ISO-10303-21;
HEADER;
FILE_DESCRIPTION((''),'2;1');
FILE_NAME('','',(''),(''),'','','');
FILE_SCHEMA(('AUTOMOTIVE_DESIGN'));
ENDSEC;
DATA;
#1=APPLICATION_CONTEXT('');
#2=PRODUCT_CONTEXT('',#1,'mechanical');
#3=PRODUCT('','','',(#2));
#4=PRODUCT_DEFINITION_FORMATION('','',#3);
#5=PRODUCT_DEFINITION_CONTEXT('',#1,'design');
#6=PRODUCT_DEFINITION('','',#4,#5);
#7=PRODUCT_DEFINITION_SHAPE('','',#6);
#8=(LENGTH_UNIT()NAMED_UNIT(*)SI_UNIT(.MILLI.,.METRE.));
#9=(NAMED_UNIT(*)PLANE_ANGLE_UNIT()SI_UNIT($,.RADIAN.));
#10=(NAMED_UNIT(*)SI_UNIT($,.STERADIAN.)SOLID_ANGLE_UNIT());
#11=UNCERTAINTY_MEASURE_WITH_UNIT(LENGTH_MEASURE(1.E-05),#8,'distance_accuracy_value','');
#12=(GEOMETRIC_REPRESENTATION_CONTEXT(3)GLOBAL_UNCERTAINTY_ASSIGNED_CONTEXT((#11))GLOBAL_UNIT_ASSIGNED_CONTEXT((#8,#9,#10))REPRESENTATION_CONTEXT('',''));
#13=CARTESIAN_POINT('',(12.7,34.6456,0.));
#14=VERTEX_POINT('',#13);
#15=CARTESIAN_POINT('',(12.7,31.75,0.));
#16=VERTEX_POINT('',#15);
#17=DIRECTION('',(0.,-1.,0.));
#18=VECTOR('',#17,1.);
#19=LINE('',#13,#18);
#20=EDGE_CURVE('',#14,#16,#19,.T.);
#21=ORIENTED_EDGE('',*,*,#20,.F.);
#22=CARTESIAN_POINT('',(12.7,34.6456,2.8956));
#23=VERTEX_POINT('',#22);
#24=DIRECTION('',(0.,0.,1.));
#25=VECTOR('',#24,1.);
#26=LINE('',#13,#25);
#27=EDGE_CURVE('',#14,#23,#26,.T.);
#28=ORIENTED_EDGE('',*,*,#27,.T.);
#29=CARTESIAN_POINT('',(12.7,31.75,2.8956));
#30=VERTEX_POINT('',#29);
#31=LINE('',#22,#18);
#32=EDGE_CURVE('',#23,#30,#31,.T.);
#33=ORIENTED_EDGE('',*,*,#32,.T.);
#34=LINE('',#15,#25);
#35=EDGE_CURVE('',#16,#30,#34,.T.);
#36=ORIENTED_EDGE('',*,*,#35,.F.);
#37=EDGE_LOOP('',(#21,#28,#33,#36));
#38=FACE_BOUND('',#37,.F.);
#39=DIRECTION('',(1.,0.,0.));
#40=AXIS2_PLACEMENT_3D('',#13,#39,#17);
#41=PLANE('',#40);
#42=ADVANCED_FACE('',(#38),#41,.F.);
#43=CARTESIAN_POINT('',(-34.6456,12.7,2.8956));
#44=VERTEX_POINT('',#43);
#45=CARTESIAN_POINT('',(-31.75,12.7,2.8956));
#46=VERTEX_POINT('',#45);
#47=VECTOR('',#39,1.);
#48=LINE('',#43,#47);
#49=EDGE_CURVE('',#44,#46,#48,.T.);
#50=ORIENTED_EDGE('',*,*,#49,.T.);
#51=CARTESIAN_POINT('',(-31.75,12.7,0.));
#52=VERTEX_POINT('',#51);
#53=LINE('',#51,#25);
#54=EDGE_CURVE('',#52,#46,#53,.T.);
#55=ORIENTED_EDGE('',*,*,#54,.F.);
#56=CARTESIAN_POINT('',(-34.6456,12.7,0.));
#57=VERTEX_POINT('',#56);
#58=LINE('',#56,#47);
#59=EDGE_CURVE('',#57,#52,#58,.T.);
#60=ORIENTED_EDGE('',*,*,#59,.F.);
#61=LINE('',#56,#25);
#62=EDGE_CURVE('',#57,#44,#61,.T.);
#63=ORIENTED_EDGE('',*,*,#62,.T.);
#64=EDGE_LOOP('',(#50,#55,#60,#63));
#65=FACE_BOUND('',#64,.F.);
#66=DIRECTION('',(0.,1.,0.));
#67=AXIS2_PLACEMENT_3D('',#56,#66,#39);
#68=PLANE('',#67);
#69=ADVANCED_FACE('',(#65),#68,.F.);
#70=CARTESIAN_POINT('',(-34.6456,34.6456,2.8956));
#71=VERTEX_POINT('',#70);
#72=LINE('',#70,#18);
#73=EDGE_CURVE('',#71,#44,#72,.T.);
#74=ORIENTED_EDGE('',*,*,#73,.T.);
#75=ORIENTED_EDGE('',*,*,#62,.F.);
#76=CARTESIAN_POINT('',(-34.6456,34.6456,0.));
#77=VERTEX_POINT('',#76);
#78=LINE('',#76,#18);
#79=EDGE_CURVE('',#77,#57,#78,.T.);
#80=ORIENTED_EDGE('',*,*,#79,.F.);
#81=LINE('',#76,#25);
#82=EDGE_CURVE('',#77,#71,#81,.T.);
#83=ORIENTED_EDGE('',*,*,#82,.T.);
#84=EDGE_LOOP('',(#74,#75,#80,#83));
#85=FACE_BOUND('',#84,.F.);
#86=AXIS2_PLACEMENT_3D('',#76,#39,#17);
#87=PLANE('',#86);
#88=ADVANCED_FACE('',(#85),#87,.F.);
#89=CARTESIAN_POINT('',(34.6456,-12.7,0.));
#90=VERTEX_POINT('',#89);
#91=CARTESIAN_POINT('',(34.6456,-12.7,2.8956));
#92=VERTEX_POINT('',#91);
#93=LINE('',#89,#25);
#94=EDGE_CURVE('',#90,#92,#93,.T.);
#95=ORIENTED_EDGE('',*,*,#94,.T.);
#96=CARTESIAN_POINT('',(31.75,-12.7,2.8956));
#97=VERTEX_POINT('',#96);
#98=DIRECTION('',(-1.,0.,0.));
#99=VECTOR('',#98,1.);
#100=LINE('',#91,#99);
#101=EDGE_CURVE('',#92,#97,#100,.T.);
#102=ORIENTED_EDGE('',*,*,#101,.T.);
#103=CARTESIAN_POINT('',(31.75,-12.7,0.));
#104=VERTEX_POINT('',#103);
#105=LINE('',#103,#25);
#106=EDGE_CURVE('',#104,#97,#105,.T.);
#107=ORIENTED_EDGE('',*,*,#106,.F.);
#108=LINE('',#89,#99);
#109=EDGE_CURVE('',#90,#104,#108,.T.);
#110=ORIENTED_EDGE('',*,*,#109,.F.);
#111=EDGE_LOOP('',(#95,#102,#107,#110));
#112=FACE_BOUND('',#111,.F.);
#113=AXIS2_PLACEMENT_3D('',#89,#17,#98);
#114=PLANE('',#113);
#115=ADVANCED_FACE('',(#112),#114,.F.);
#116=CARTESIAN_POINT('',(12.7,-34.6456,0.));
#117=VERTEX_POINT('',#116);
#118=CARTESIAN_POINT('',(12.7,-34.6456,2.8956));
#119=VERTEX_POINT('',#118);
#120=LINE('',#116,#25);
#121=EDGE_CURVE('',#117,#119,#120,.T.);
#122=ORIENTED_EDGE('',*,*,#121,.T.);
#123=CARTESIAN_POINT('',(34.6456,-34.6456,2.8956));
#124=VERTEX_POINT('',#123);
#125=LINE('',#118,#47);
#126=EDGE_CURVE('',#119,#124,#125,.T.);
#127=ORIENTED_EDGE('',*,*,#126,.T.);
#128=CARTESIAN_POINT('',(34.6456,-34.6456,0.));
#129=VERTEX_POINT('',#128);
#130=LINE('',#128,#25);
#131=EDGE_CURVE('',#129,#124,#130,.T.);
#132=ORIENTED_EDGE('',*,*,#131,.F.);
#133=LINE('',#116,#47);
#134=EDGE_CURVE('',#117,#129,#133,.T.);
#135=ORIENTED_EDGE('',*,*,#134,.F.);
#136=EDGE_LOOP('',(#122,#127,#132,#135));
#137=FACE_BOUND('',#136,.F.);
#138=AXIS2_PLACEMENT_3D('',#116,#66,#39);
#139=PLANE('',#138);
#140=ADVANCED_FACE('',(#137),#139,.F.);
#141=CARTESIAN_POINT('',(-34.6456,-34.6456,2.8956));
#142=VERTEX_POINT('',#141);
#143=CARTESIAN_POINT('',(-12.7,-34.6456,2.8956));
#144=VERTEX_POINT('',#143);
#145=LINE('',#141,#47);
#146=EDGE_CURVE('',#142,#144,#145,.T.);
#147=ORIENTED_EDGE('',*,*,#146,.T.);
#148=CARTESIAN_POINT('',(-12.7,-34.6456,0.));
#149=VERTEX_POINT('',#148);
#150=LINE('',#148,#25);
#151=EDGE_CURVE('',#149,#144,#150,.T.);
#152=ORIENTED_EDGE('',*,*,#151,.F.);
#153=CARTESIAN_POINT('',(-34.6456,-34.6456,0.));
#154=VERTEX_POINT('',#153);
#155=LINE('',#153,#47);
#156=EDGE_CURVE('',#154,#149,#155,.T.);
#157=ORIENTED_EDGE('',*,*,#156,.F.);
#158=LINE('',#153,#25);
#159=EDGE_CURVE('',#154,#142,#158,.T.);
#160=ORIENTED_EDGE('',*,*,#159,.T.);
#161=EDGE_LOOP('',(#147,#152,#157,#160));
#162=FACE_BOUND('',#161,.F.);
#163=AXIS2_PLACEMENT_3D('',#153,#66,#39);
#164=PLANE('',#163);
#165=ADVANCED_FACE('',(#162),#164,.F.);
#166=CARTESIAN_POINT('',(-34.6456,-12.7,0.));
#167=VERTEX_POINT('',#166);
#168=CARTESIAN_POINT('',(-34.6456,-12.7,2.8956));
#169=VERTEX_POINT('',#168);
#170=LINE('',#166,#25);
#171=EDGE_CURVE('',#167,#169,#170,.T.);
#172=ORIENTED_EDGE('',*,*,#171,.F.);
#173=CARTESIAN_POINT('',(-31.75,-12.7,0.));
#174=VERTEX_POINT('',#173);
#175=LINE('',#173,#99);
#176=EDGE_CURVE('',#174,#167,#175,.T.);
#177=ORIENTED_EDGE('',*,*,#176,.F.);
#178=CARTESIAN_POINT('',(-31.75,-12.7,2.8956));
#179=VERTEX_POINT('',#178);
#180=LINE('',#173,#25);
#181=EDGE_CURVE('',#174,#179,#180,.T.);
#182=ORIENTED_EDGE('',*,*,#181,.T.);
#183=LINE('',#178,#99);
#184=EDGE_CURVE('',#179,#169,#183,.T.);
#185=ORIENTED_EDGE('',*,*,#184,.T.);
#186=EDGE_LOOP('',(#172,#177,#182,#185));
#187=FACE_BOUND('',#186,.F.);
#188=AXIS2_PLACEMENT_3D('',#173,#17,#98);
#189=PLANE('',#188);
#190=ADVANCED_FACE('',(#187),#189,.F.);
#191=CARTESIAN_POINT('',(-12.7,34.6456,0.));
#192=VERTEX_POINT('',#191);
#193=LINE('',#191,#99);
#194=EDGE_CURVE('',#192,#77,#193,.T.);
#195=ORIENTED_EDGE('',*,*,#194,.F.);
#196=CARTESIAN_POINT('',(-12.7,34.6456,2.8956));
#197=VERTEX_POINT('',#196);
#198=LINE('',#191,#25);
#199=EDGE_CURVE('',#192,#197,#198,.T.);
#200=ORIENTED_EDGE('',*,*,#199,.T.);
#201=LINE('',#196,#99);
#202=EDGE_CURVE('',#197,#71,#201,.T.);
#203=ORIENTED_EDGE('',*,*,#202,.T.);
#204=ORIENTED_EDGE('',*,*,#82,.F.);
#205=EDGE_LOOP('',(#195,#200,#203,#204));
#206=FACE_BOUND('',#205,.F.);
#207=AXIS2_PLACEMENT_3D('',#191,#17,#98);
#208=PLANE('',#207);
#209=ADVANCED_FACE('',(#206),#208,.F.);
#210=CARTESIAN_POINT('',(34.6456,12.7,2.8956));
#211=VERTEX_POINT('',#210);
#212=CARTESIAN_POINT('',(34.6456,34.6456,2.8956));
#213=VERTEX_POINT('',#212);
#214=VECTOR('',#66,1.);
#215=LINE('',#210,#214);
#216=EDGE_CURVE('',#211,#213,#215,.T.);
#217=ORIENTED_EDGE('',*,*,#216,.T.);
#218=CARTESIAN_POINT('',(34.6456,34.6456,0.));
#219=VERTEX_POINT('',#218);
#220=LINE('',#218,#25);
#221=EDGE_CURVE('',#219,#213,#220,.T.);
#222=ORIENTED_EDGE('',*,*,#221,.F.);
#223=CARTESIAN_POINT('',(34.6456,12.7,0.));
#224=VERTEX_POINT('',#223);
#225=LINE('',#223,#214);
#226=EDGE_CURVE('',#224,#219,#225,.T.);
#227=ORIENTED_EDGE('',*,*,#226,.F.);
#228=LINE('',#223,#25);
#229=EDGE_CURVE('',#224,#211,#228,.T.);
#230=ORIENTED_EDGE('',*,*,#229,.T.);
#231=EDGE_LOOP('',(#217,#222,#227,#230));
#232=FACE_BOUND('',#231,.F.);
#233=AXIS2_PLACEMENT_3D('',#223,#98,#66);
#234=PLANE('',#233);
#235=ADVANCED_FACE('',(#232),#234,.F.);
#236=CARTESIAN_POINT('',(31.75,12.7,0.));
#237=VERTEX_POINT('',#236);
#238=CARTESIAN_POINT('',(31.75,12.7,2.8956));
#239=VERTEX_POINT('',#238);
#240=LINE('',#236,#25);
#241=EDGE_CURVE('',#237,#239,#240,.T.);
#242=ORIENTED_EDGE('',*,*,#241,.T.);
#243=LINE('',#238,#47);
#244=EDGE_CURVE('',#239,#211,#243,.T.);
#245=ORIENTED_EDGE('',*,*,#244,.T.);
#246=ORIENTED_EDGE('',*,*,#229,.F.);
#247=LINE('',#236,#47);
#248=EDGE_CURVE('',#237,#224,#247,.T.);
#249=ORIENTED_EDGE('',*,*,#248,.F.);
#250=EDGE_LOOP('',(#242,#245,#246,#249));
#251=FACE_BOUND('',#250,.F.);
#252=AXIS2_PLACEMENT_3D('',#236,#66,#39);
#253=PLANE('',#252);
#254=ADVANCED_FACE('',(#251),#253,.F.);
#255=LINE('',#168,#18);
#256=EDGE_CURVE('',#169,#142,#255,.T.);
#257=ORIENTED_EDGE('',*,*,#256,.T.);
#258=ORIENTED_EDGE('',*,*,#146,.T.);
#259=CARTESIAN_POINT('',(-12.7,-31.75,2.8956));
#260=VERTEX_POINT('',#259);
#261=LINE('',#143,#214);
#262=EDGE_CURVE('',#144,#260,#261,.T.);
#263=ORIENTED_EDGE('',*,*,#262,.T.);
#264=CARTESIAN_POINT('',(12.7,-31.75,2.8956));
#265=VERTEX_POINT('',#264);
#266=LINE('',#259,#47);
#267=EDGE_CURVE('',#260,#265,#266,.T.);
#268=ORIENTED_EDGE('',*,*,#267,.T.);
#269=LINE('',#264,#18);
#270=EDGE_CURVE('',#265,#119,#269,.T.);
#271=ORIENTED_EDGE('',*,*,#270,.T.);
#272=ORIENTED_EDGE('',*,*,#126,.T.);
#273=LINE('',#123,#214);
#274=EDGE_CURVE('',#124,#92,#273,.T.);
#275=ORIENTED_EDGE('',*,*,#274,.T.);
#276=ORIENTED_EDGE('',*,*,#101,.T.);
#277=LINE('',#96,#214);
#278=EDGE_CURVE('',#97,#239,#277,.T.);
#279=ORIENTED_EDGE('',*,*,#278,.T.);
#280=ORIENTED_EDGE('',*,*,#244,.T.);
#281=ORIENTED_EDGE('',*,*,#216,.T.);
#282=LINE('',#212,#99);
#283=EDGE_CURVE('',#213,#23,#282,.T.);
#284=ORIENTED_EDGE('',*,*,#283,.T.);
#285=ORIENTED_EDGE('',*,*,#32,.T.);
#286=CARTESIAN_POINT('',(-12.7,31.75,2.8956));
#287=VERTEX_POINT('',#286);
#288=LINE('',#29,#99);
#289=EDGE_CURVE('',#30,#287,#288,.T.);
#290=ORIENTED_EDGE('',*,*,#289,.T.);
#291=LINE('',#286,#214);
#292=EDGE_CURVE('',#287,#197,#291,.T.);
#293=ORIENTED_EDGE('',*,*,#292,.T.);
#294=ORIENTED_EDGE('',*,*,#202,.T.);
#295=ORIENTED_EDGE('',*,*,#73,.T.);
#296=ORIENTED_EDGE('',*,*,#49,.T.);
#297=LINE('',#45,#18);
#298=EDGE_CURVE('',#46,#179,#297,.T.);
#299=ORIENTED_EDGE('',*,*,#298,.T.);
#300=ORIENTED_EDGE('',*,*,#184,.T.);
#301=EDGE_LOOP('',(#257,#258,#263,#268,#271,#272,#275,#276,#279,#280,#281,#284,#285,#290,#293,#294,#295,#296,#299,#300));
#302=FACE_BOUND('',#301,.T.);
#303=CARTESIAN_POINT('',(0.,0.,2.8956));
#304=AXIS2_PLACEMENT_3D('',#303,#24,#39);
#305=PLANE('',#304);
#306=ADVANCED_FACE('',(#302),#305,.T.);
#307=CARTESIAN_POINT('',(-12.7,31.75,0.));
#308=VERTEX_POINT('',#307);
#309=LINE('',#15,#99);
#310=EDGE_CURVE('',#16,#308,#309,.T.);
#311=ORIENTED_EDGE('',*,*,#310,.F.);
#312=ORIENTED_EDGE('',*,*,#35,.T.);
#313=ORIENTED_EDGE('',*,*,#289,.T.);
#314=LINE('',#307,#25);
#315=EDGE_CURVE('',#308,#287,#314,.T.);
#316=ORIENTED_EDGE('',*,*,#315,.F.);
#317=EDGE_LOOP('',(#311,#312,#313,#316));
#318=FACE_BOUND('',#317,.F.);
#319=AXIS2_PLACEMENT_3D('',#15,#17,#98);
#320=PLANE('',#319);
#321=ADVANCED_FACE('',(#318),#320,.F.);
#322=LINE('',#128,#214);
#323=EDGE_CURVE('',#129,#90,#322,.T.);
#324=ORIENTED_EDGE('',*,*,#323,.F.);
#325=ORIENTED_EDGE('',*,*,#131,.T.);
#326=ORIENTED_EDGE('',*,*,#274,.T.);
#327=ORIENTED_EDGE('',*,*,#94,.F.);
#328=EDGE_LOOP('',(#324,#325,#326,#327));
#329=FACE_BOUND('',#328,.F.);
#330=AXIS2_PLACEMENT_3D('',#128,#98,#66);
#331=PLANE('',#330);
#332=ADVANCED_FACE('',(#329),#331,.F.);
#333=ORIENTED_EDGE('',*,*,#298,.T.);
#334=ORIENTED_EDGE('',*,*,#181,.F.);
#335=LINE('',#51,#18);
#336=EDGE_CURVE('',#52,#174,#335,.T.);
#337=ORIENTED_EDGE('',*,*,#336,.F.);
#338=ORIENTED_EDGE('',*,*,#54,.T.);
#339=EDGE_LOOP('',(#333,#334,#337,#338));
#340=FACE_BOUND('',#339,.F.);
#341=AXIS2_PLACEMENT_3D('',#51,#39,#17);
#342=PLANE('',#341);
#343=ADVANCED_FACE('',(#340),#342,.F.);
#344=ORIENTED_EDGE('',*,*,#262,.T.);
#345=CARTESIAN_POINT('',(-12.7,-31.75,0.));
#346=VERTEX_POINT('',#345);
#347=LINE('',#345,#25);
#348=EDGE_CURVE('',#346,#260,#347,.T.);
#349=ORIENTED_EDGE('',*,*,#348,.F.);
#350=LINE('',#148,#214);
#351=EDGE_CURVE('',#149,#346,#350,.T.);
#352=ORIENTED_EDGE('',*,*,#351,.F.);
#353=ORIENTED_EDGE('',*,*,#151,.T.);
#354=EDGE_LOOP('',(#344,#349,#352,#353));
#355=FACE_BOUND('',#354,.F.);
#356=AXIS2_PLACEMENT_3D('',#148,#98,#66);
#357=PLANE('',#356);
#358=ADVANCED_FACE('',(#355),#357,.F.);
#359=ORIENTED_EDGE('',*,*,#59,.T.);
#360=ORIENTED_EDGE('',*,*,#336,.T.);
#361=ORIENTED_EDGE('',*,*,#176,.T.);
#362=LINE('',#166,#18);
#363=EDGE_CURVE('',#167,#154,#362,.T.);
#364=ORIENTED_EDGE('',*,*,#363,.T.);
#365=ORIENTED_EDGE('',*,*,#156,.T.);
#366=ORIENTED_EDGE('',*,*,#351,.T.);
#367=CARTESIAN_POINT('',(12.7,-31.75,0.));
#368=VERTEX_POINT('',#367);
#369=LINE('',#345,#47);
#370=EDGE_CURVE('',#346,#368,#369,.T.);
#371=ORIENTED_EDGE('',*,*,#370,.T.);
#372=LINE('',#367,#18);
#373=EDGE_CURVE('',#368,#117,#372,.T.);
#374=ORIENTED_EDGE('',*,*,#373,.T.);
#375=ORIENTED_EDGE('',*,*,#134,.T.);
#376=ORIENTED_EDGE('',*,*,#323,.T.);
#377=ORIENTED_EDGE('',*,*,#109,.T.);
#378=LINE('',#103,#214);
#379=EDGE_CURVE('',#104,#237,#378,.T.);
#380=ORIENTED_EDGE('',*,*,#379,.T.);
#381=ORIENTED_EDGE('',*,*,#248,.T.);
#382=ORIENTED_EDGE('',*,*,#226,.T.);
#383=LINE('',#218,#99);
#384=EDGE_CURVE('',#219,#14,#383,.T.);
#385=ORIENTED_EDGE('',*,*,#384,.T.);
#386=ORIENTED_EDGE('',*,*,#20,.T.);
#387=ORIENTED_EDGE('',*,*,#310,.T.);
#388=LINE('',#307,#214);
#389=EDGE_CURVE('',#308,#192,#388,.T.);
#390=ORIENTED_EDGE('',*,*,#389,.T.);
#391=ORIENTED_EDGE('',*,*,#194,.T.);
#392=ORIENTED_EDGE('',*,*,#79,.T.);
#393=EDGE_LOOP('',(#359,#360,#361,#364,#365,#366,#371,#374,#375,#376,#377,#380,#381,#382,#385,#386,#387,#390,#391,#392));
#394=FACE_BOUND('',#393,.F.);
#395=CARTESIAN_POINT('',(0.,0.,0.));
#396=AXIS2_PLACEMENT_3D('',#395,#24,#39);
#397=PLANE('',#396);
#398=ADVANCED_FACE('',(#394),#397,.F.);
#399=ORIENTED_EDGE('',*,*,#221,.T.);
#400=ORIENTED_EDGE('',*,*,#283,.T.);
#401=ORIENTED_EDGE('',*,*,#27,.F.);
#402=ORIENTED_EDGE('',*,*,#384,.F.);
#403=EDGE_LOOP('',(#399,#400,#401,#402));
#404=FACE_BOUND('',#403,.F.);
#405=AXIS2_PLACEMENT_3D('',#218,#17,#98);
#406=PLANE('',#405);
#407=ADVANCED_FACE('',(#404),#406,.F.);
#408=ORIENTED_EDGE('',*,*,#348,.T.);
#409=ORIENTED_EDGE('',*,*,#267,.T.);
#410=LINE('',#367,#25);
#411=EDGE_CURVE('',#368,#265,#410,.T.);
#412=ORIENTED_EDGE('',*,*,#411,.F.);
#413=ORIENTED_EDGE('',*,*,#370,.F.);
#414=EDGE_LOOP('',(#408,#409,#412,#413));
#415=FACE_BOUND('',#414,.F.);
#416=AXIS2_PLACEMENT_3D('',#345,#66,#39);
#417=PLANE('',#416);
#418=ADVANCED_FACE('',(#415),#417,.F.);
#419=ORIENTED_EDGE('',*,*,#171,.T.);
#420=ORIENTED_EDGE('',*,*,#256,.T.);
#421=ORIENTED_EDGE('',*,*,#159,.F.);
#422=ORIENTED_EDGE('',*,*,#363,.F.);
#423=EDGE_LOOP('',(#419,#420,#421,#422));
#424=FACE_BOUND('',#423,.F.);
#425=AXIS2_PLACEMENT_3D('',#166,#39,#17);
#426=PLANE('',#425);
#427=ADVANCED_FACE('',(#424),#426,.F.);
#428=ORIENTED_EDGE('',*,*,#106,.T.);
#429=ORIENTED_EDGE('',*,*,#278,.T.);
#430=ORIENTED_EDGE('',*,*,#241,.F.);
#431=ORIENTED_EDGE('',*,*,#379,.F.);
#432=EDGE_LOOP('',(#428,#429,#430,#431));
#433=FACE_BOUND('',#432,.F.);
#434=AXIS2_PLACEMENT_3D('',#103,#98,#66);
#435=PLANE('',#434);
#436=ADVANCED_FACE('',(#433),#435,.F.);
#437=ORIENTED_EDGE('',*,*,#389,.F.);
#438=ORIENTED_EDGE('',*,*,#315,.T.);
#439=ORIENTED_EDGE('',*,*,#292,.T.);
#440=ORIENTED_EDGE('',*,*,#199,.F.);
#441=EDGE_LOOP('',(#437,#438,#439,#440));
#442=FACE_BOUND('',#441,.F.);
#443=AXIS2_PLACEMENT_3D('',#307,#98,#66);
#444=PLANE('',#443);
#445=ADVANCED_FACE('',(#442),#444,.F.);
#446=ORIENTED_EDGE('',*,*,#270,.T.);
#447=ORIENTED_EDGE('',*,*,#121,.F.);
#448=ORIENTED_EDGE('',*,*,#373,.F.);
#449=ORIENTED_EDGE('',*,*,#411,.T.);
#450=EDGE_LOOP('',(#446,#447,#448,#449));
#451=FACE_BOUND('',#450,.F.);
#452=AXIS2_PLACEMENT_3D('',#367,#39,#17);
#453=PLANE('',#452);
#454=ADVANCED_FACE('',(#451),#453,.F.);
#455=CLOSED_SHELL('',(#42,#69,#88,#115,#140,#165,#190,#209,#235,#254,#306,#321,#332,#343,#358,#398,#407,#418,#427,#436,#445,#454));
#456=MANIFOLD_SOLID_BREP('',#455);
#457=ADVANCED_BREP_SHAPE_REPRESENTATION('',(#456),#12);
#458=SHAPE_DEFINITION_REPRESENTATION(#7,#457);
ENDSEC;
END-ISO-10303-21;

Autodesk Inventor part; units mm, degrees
ref_plane "YZ Plane" through (0, 0, 0) normal (1, 0, 0) x (0, 1, 0)
ref_plane "XZ Plane" through (0, 0, 0) normal (0, 1, 0) x (-1, 0, 0)
ref_plane "XY Plane" through (0, 0, 0) normal (0, 0, 1) x (1, 0, 0)
sketch "Sketch1" plane through (0, 0, 0) normal (0, 0, 1) x (1, 0, 0)
  line L0 (12.7, -31.75) -> (12.7, -34.6456)
  line L1 (12.7, -34.6456) -> (34.6456, -34.6456)
  line L2 (34.6456, -34.6456) -> (34.6456, -12.7)
  line L3 (34.6456, -12.7) -> (31.75, -12.7)
  line L4 (31.75, -12.7) -> (31.75, 12.7)
  line L5 (31.75, 12.7) -> (34.6456, 12.7)
  line L6 (34.6456, 12.7) -> (34.6456, 34.6456)
  line L7 (34.6456, 34.6456) -> (12.7, 34.6456)
  line L8 (12.7, 34.6456) -> (12.7, 31.75)
  line L9 (12.7, 31.75) -> (-12.7, 31.75)
  line L10 (-12.7, 31.75) -> (-12.7, 34.6456)
  line L11 (-12.7, 34.6456) -> (-34.6456, 34.6456)
  line L12 (-34.6456, 34.6456) -> (-34.6456, 12.7)
  line L13 (-34.6456, 12.7) -> (-31.75, 12.7)
  line L14 (-31.75, 12.7) -> (-31.75, -12.7)
  line L15 (-31.75, -12.7) -> (-34.6456, -12.7)
  line L16 (-34.6456, -12.7) -> (-34.6456, -34.6456)
  line L17 (-34.6456, -34.6456) -> (-12.7, -34.6456)
  line L18 (-12.7, -34.6456) -> (-12.7, -31.75)
  line L19 (-12.7, -31.75) -> (12.7, -31.75)
  point P0 (0, 0)
extrude "Extrusion1" add sketch "Sketch1" along normal blind 2.8956
properties part number "outside_box_top_bot" material "Polycarbonate, Clear"
